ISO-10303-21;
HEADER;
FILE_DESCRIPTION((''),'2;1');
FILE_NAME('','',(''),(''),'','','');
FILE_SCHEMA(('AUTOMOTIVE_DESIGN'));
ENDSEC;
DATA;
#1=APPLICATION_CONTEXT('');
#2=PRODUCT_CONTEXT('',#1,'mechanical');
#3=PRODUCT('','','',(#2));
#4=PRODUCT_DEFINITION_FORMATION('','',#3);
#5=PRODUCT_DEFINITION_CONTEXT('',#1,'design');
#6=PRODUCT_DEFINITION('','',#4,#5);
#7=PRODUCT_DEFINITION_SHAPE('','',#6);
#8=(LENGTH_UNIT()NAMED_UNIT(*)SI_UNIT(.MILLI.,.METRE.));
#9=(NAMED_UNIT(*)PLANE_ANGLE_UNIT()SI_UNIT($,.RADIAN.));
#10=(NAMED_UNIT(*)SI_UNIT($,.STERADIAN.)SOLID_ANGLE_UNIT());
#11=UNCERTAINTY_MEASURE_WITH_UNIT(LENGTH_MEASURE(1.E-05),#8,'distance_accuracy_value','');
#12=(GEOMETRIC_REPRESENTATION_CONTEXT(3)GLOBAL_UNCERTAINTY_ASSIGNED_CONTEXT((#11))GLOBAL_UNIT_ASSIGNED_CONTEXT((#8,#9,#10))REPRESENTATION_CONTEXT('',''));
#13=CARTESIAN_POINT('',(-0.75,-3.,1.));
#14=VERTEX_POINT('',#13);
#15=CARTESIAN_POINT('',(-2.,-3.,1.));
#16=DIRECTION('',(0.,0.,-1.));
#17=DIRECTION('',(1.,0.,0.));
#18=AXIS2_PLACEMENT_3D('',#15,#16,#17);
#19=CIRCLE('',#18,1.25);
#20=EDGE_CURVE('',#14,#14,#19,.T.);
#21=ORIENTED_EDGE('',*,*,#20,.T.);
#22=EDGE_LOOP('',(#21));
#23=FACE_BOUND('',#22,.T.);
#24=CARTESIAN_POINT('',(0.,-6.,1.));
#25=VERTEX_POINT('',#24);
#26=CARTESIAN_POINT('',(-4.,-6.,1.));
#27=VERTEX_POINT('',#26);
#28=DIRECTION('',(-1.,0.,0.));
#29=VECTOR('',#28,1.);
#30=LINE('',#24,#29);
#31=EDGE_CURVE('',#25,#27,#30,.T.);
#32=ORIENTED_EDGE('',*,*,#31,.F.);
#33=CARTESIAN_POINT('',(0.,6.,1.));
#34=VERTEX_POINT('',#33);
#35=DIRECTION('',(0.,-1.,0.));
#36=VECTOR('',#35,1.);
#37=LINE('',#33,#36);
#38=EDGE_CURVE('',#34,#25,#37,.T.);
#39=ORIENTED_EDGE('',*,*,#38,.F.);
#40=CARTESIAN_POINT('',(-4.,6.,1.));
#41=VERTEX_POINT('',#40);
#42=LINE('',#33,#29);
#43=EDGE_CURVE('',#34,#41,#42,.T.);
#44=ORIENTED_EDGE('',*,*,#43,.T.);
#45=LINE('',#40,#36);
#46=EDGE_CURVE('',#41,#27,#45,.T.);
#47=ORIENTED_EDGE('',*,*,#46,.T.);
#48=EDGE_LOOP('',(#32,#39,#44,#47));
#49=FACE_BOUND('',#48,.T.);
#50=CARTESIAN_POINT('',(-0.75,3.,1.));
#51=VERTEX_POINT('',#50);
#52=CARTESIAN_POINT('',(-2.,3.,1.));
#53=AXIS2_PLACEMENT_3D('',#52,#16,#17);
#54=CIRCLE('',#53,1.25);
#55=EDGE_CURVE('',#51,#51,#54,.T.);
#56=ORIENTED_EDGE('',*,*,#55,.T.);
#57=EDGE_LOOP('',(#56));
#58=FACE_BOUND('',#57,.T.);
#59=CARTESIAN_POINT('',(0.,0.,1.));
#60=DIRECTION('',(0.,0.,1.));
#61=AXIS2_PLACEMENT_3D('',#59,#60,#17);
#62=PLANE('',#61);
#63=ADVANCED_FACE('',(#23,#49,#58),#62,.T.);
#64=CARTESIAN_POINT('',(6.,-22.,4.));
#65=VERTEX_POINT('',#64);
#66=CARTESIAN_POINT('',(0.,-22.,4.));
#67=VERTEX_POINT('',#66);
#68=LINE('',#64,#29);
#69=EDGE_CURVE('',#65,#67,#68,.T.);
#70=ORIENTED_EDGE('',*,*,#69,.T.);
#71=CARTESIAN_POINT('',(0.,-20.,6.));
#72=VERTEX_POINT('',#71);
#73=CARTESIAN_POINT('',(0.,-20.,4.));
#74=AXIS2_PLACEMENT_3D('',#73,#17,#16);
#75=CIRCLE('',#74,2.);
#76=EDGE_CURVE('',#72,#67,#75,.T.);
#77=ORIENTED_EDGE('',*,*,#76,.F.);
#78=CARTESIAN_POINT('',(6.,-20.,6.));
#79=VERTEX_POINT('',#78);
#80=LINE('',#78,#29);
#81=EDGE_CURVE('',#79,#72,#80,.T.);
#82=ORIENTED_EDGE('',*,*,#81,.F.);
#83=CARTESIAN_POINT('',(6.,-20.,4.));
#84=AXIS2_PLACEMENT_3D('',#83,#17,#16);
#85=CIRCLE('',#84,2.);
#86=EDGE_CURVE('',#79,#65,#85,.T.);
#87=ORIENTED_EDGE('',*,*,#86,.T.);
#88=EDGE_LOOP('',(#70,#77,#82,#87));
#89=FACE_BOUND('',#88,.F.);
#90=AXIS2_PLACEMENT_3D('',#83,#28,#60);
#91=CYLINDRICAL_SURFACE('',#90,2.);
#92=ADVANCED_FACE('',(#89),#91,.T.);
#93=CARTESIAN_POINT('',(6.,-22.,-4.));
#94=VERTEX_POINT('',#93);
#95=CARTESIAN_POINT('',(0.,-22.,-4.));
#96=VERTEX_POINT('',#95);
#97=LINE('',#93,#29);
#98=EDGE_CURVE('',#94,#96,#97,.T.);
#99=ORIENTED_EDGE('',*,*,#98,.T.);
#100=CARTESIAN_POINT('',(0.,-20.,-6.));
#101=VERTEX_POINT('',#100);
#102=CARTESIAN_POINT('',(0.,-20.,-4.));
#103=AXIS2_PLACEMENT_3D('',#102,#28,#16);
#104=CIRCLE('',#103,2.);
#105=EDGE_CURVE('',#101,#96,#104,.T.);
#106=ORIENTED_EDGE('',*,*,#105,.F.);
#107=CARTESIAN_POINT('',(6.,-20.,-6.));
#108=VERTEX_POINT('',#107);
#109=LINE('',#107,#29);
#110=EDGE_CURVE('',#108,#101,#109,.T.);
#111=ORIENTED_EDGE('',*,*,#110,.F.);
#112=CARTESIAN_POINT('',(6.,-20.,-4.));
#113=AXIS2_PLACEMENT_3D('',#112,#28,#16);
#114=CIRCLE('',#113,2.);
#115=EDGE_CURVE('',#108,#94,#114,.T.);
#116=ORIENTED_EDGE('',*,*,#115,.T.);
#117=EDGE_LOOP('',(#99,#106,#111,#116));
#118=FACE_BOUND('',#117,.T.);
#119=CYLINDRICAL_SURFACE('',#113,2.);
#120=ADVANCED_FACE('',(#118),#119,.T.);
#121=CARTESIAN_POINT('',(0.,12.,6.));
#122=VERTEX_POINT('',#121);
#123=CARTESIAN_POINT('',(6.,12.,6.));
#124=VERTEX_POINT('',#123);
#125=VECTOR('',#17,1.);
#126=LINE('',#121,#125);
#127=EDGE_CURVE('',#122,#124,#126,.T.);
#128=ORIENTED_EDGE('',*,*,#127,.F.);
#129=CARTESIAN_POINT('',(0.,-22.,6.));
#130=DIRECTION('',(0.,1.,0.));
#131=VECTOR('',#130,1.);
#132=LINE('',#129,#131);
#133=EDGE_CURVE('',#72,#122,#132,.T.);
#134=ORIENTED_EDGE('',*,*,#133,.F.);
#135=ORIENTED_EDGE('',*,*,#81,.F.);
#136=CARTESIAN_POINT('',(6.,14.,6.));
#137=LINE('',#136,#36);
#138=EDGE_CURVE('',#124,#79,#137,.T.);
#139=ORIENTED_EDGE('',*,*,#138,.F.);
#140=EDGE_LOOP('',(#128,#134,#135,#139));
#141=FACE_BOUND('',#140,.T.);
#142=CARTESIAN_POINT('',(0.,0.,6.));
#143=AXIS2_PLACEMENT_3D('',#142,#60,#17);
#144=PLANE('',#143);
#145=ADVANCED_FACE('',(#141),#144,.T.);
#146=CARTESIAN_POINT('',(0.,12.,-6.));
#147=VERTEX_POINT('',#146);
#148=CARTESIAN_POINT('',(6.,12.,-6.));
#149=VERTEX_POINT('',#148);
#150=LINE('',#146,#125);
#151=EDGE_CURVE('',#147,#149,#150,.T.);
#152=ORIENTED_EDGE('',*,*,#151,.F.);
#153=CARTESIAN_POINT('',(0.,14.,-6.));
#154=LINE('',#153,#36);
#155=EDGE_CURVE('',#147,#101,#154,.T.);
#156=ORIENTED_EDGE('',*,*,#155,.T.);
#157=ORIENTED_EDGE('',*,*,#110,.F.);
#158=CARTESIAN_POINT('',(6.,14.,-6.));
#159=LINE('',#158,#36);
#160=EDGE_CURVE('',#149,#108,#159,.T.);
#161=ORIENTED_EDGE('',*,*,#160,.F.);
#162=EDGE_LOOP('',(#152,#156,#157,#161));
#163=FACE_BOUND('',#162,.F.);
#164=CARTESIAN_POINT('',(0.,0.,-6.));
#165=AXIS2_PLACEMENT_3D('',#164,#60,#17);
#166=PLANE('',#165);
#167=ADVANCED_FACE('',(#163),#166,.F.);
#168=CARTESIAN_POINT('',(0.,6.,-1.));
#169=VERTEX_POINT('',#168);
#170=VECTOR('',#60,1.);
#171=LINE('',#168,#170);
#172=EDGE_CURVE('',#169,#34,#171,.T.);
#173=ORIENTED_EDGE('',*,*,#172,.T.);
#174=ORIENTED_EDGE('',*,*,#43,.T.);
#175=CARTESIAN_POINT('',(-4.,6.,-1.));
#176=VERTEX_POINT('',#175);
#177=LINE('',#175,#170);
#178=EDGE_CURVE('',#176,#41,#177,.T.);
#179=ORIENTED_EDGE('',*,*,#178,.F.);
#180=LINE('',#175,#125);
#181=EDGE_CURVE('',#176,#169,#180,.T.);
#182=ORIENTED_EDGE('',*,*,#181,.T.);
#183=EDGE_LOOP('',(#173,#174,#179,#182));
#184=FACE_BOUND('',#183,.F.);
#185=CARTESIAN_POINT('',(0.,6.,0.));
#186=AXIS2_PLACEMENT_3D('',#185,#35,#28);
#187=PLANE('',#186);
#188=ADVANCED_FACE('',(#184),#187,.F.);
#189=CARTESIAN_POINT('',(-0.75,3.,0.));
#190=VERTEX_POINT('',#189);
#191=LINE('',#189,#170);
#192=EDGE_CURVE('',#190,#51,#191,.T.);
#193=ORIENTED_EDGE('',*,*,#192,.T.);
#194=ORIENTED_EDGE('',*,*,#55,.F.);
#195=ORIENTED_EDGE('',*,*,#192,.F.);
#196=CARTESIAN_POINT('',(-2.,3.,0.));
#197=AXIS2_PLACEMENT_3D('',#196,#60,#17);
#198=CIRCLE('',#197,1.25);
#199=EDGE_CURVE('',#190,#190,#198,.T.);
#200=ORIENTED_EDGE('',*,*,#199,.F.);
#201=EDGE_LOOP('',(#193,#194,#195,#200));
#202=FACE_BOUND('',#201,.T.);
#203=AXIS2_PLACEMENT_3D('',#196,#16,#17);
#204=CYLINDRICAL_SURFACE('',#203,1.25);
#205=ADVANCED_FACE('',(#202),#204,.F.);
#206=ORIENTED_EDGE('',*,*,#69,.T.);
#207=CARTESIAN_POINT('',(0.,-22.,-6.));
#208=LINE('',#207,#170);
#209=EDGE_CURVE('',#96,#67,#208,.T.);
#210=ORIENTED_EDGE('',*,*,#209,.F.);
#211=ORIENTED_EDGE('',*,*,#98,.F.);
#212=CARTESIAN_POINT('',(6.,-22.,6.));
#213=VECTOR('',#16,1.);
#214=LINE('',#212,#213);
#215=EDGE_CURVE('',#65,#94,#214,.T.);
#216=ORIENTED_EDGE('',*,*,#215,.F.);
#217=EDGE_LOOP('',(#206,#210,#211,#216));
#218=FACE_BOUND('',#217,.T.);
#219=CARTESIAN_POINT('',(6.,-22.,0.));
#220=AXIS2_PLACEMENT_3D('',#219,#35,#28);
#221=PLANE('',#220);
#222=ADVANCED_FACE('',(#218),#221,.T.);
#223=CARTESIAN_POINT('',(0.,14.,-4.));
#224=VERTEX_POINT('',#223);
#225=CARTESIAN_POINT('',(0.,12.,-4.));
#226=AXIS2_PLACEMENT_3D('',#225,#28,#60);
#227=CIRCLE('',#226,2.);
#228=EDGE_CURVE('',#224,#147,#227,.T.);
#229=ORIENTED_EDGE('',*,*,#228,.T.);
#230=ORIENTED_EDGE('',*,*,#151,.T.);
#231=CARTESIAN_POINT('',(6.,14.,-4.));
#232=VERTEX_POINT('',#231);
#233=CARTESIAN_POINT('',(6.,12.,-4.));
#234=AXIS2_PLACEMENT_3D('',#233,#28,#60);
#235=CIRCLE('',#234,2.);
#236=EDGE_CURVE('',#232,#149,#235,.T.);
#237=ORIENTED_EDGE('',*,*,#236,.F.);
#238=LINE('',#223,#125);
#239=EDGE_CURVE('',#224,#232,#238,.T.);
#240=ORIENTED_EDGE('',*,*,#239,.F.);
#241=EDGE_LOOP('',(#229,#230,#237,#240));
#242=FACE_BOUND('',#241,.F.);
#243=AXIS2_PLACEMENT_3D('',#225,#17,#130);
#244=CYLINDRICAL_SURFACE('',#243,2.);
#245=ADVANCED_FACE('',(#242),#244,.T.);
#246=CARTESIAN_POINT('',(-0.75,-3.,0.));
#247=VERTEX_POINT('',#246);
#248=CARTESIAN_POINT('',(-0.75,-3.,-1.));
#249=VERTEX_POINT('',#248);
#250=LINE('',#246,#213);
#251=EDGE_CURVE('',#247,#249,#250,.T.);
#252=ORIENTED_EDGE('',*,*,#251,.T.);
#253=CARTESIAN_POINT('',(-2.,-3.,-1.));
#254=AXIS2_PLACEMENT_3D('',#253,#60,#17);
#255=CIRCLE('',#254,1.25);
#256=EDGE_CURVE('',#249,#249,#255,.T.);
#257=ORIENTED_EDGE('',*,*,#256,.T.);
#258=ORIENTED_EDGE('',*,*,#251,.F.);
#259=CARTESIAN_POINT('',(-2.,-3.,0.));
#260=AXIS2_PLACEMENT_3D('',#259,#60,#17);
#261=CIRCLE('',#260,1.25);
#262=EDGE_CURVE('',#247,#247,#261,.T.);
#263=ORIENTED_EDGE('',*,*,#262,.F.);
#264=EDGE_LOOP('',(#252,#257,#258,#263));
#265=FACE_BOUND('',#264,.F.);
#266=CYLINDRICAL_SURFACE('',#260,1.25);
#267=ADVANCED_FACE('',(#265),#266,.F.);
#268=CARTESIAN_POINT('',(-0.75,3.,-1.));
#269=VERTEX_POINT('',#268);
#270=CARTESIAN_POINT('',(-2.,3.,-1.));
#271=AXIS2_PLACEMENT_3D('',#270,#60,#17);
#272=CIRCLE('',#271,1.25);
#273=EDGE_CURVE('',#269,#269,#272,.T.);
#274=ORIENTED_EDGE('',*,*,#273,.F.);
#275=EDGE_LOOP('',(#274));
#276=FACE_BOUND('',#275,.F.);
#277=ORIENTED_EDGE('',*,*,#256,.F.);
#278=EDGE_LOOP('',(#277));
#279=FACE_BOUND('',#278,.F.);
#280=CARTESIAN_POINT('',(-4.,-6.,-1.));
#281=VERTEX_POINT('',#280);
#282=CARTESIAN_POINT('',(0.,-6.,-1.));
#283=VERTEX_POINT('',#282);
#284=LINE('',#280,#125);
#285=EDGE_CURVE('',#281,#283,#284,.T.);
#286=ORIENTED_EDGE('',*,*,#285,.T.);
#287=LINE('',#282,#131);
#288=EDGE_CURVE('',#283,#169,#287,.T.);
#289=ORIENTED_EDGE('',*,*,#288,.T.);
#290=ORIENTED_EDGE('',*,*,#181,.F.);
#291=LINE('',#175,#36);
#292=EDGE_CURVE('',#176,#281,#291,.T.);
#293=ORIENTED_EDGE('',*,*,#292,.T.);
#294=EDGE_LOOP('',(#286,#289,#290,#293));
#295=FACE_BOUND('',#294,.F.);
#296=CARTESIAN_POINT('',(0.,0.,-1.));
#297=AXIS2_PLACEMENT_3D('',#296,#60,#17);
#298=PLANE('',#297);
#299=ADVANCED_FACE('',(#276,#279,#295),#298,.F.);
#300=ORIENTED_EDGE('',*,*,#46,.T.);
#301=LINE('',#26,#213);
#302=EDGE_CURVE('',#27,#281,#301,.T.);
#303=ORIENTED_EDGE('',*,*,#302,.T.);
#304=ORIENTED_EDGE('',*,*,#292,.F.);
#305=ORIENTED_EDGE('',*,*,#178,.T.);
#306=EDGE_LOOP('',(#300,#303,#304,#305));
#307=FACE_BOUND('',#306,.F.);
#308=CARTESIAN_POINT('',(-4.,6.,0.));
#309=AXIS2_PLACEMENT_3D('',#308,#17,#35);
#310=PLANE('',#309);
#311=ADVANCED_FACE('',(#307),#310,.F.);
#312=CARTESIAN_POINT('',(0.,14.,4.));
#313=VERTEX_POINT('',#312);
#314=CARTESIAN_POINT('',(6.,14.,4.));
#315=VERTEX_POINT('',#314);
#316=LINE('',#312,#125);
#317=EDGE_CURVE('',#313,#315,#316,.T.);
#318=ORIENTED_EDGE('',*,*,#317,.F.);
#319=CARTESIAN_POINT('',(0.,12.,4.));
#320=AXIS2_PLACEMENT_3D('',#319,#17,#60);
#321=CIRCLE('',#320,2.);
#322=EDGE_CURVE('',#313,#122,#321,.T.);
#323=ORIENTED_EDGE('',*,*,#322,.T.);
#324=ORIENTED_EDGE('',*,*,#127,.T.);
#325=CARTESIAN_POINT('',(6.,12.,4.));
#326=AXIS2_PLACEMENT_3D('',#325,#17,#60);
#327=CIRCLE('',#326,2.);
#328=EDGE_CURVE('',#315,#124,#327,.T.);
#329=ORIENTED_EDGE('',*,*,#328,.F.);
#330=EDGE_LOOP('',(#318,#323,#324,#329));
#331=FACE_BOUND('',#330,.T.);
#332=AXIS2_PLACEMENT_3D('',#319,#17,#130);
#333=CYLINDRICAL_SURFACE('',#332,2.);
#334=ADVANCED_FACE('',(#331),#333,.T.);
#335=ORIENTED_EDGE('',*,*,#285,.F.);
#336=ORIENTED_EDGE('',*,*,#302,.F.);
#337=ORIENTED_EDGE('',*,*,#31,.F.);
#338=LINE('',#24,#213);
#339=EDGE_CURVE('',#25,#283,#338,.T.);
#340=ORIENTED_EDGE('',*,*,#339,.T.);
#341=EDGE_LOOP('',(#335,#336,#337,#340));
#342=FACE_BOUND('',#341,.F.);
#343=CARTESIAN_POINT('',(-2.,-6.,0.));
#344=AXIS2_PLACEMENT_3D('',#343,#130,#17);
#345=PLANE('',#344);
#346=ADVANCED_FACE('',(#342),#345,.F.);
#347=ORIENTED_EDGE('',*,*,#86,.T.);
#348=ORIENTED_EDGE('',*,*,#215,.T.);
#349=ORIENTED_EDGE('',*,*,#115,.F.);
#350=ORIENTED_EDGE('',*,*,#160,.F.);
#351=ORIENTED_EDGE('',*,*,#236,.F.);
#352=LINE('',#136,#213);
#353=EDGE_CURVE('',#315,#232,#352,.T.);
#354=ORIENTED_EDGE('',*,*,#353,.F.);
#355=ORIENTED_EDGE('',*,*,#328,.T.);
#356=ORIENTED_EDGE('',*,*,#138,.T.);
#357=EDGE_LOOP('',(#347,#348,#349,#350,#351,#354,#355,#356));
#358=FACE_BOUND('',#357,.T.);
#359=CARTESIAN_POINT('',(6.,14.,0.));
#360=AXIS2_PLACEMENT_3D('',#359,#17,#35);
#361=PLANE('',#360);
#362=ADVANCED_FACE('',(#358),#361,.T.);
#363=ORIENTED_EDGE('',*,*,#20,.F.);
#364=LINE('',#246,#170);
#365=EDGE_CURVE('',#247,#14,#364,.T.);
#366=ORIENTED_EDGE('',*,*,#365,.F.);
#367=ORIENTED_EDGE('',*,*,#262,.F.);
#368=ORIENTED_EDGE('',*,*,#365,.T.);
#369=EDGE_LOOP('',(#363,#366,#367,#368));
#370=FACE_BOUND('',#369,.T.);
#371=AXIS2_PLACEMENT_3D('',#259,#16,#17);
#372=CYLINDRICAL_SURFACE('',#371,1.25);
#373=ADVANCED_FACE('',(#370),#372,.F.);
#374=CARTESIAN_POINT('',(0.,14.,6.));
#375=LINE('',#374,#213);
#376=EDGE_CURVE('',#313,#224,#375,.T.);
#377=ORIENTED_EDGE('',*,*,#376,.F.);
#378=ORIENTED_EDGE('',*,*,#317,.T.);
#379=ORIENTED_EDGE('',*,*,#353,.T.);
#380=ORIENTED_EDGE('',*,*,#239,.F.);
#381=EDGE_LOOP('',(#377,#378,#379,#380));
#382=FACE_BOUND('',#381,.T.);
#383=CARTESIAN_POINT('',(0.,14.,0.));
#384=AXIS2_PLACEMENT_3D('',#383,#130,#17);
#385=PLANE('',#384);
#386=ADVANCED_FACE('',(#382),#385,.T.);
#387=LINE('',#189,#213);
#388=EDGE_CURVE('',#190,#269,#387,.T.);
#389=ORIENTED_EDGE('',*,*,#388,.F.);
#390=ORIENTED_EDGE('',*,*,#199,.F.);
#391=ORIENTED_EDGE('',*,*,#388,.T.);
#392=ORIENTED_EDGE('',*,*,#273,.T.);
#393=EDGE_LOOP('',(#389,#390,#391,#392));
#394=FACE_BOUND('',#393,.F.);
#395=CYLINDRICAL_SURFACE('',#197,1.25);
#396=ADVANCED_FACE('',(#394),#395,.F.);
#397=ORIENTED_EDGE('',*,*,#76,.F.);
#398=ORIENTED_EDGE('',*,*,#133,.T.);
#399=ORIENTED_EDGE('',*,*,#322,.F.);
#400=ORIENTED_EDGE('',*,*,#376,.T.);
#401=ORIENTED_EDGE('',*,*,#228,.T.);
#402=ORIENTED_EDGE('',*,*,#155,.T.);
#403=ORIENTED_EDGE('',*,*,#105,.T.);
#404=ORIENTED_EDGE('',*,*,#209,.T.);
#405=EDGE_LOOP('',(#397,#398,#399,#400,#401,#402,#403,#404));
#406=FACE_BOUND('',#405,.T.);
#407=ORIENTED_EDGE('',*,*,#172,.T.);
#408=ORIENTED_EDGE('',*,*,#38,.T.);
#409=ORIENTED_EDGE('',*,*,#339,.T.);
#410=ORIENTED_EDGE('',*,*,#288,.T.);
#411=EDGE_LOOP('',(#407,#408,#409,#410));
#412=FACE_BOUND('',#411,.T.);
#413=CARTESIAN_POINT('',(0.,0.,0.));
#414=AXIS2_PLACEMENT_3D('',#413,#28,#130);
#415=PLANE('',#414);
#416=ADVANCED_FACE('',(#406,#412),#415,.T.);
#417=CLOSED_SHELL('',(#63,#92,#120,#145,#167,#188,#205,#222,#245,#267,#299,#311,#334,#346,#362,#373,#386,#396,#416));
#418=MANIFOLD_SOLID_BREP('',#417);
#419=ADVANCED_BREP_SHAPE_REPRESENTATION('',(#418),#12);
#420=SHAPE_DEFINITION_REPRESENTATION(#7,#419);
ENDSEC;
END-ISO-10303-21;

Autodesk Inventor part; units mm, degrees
ref_plane "YZ Plane" through (0, 0, 0) normal (1, 0, 0) x (0, 1, 0)
ref_plane "XZ Plane" through (0, 0, 0) normal (0, 1, 0) x (-1, 0, 0)
ref_plane "XY Plane" through (0, 0, 0) normal (0, 0, 1) x (1, 0, 0)
sketch "Sketch1" plane through (0, 0, 0) normal (0, 0, 1) x (1, 0, 0)
  line L0 (0, 0) -> (0, 6)
  line L1 (0, 6) -> (-4, 6)
  line L2 (-4, 6) -> (-4, -6)
  line L3 (-4, -6) -> (0, -6)
  line L4 (0, -6) -> (0, 6)
  line L5 (-2, 6) -> (-2, -6)
  line L6 (-2, 6) -> (-2, 3)
  circle A0 centre (-2, 3) radius 1.25
  line L7 (-2, -6) -> (-2, -3)
  circle A1 centre (-2, -3) radius 1.25
  line L8 (0, 6) -> (0, 14)
  line L9 (0, 14) -> (6, 14)
  line L10 (6, 14) -> (6, -22)
  line L11 (6, -22) -> (0, -22)
  line L12 (0, -22) -> (0, 14)
  dimension "d44" = 6
  dimension "d45" = 4
  dimension "d46" = 12
  dimension "d47" = 3
  dimension "d48" = 2.5
  dimension "d49" = 3
  dimension "d50" = 2.5
  dimension "d51" = 8
  dimension "d52" = 6
  dimension "d53" = 36
extrude "Extrusion8" add sketch "Sketch1" along normal mid plane 2 contours L4 L3 L5 A1 A0 L1 L0 | L5 A0 A1 L3 L2 L1
extrude "Extrusion9" add sketch "Sketch1" along normal mid plane 12 contours L0 L8 L9 L10 L11 L12 L4
fillet "Fillet1" radius 2 4 edges at (3, 14, 6) (3, 14, -6) (3, -22, 6) (3, -22, -6)
sketch "Sketch2" plane through (6, -20, -6) normal (1, 0, 0) x (0, 0, -1)
  point P0 (-6, 18)
properties part number "link7" material "Aluminum 6061"
